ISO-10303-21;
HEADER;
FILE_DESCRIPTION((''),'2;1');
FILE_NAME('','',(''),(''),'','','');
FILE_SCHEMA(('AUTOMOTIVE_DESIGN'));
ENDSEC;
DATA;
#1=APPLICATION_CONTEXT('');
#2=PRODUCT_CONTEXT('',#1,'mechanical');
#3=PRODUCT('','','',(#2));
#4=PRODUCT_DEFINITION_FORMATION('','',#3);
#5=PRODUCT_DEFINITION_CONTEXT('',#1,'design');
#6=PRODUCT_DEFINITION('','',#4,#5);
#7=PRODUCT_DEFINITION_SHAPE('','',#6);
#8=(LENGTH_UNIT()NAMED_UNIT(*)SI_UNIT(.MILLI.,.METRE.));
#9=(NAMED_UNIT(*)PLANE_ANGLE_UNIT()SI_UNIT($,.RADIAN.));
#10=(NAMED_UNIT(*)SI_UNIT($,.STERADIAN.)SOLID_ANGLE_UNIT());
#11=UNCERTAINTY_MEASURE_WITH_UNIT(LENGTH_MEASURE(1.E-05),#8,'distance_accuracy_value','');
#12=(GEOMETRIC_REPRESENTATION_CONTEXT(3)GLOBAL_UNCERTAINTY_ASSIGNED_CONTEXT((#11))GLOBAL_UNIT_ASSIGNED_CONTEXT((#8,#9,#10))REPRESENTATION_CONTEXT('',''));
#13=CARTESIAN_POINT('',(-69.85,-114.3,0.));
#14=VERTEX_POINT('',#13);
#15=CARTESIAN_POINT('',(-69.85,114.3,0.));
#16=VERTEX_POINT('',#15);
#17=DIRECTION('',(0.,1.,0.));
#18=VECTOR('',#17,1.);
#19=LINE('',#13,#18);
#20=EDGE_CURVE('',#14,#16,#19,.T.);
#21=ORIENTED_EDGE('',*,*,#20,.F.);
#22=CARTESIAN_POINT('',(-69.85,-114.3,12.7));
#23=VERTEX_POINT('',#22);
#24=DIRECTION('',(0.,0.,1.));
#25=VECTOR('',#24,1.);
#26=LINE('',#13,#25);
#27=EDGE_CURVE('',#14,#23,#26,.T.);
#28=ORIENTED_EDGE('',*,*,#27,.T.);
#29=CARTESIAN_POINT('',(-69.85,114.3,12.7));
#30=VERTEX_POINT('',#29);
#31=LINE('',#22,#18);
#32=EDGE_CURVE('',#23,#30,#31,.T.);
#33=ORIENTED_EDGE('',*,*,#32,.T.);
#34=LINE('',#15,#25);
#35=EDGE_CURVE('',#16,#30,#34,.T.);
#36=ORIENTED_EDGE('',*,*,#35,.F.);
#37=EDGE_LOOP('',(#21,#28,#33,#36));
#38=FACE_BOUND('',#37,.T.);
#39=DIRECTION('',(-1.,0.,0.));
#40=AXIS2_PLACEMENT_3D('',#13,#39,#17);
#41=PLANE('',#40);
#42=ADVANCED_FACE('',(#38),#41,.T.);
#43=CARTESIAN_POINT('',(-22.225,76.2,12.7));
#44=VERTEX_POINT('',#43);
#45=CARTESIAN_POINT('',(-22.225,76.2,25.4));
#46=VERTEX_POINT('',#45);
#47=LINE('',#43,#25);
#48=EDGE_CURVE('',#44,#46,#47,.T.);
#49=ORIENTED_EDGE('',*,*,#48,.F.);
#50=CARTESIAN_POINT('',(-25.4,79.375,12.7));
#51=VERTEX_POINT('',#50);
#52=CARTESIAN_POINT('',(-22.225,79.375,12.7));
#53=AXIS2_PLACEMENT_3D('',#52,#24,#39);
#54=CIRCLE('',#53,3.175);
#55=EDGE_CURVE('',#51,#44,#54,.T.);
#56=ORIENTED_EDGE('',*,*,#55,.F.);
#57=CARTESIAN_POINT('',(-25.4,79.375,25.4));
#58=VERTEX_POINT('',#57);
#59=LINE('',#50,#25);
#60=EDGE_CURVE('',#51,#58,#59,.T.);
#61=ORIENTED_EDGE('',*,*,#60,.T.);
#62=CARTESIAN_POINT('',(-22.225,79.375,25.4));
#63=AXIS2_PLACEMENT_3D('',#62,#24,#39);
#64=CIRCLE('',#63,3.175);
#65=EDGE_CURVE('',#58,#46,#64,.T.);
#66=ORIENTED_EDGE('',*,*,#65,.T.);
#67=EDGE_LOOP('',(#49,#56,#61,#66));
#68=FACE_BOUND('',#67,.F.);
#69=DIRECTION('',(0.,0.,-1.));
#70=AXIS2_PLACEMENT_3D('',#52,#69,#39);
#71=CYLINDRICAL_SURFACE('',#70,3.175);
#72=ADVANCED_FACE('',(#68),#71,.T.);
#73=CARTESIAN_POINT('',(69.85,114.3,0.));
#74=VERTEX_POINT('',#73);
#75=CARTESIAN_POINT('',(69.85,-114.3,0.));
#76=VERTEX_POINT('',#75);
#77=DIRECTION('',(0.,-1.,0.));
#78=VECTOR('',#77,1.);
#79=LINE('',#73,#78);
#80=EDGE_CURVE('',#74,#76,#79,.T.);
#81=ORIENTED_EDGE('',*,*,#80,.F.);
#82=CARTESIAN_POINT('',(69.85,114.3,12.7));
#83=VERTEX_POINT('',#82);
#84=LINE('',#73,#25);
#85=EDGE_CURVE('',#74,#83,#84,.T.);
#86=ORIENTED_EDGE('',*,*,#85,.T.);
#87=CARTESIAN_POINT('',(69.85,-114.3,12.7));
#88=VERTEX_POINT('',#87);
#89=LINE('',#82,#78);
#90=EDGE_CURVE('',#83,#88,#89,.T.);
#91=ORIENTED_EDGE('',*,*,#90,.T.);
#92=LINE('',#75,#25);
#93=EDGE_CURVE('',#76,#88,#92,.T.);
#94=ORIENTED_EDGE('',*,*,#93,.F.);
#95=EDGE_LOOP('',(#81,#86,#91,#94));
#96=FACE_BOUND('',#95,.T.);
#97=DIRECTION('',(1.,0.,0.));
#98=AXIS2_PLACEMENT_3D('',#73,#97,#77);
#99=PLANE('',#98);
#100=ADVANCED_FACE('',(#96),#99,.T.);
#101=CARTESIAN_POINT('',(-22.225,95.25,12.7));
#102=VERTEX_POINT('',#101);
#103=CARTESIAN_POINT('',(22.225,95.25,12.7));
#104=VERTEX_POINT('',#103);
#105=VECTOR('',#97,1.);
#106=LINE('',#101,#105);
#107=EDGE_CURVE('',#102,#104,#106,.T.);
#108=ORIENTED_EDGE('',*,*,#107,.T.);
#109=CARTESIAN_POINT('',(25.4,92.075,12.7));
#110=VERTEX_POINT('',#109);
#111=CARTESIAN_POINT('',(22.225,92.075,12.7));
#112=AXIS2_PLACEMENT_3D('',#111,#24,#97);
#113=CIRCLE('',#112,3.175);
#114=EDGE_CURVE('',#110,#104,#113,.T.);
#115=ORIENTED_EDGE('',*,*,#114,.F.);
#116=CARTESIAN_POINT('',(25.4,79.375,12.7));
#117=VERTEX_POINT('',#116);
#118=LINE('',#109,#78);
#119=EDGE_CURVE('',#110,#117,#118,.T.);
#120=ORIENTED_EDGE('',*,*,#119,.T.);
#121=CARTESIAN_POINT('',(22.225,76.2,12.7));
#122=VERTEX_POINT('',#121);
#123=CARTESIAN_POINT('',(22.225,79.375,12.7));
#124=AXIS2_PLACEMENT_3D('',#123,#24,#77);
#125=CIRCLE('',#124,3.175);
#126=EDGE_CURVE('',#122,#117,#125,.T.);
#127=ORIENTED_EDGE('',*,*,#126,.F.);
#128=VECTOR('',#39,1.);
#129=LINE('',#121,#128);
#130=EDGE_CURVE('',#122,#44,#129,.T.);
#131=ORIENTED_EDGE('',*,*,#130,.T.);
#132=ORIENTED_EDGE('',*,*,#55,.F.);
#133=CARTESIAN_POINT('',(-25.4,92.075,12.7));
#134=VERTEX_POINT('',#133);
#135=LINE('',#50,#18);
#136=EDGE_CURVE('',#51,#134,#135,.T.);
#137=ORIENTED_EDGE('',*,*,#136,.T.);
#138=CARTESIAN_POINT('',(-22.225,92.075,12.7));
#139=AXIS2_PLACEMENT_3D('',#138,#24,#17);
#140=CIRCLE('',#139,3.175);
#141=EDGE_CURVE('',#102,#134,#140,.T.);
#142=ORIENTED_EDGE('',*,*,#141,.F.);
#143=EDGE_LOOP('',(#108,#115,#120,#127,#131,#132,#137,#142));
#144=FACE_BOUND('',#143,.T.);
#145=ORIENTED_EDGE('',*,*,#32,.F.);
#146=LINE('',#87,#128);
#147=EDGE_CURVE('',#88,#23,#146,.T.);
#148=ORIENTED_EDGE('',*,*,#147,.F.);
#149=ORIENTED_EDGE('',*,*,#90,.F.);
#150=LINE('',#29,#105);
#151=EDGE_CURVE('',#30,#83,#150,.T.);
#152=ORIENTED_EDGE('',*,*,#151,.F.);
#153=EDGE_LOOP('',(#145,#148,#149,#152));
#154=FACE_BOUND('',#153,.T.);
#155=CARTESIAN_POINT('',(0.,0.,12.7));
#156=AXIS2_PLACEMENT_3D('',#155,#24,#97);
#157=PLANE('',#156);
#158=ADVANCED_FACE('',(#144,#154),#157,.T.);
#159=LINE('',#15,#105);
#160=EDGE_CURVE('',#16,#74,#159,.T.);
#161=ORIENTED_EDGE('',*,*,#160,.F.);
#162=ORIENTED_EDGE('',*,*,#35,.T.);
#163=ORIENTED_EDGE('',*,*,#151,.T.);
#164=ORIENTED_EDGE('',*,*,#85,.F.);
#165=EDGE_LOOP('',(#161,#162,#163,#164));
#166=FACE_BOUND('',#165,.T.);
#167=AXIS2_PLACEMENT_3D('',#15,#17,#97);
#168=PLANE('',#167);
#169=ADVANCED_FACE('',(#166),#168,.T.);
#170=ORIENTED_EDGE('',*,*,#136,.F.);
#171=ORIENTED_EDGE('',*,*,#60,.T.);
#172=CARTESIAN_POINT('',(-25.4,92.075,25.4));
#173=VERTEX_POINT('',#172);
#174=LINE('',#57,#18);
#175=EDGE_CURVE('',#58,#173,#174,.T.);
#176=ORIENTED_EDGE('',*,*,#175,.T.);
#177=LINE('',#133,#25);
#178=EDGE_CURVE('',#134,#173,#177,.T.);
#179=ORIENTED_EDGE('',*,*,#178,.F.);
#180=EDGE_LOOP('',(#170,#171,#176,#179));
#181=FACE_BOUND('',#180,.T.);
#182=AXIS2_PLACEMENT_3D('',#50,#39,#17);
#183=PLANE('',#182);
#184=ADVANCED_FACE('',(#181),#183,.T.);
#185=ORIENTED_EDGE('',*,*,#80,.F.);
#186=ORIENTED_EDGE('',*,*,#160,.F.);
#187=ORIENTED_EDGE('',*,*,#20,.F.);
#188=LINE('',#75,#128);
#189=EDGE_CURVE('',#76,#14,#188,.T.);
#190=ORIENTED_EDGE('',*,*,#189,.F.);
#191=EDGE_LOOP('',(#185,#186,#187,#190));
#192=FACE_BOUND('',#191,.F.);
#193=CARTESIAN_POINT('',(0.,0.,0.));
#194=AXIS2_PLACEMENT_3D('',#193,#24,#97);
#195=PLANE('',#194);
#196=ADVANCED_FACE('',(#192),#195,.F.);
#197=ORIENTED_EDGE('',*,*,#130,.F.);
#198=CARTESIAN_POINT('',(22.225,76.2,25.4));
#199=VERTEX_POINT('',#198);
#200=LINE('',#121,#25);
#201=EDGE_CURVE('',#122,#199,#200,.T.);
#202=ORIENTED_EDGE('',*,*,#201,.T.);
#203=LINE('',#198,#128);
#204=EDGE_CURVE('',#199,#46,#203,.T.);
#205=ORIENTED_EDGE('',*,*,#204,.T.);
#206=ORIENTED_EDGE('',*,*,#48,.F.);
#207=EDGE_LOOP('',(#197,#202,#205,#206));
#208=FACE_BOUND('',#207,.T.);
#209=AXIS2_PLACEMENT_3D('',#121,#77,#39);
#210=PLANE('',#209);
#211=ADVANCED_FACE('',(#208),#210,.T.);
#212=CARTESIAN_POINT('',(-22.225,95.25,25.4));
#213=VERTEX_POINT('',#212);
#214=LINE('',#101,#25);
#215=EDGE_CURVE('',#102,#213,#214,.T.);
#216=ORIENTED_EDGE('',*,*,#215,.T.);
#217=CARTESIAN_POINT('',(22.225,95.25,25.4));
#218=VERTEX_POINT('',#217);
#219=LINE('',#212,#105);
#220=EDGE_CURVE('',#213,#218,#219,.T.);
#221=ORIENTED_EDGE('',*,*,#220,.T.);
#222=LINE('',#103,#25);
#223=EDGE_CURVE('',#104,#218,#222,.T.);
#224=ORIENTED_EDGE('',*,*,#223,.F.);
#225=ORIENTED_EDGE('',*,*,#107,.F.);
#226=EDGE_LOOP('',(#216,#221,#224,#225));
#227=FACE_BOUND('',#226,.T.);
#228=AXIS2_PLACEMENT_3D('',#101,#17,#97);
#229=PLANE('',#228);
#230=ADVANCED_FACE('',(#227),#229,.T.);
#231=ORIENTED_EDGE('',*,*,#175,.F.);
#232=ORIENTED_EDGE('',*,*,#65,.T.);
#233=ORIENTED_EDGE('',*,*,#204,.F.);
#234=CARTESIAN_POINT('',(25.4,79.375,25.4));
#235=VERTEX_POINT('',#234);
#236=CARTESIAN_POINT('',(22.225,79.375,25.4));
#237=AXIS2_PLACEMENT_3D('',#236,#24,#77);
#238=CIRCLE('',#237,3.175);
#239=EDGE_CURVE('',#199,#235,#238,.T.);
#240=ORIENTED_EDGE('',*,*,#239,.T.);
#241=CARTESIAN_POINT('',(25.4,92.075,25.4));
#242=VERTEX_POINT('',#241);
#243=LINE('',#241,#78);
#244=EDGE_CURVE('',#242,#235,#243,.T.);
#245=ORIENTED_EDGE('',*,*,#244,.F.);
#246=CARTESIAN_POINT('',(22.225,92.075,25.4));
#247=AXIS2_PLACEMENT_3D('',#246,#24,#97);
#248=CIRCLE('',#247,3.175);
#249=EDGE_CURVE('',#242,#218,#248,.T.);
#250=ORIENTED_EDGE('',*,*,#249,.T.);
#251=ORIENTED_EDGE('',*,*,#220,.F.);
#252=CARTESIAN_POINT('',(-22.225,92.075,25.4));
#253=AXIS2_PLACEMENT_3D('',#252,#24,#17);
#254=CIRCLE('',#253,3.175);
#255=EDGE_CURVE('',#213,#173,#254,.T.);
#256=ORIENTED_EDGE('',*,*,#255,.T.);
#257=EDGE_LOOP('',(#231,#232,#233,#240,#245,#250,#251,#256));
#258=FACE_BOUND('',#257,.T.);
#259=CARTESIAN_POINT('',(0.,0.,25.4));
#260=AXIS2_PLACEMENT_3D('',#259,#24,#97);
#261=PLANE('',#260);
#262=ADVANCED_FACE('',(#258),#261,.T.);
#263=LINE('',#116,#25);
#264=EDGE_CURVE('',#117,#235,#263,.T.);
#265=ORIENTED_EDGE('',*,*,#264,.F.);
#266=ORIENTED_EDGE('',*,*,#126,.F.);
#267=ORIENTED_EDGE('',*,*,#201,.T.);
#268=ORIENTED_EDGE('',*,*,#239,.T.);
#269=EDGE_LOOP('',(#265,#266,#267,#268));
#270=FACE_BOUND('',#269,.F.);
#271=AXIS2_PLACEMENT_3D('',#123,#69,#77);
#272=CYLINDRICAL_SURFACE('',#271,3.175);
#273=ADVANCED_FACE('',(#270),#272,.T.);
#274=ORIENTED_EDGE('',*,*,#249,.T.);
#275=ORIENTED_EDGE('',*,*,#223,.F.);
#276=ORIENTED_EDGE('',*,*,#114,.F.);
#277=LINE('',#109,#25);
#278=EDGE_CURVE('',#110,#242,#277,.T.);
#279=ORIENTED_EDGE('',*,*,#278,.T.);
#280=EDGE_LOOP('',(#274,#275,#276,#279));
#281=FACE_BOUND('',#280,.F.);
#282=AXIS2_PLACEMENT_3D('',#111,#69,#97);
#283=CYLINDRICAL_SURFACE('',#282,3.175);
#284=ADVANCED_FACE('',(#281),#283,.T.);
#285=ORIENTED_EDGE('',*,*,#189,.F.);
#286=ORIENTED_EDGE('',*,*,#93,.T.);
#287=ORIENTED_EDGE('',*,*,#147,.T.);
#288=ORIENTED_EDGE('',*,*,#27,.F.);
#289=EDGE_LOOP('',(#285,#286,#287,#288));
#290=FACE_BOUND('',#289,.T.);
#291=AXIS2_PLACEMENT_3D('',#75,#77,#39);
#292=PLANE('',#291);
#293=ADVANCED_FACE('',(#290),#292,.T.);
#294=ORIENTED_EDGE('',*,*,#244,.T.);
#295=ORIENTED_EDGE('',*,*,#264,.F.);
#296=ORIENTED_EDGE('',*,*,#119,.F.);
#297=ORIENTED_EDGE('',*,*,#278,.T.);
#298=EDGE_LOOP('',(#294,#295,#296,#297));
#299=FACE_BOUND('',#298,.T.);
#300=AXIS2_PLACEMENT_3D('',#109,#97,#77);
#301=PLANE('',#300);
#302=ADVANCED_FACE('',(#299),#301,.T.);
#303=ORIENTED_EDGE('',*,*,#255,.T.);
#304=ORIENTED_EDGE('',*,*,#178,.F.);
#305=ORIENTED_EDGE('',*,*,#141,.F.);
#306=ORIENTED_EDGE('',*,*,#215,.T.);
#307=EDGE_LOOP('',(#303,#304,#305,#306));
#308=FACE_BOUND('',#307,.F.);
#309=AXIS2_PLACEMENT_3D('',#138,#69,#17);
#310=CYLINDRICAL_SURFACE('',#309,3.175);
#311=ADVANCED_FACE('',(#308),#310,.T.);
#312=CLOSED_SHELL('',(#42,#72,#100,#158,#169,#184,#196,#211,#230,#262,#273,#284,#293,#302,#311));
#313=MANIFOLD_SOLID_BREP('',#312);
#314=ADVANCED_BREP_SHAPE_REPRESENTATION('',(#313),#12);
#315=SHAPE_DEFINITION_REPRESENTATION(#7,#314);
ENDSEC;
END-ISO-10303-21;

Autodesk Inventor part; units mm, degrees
ref_plane "YZ Plane" through (0, 0, 0) normal (1, 0, 0) x (0, 1, 0)
ref_plane "XZ Plane" through (0, 0, 0) normal (0, 1, 0) x (-1, 0, 0)
ref_plane "XY Plane" through (0, 0, 0) normal (0, 0, 1) x (1, 0, 0)
sketch "Sketch1" plane through (0, 0, 0) normal (0, 0, 1) x (1, 0, 0)
  line L0 (-69.85, 114.3) -> (69.85, 114.3)
  line L1 (69.85, 114.3) -> (69.85, -114.3)
  line L2 (69.85, -114.3) -> (-69.85, -114.3)
  line L3 (-69.85, -114.3) -> (-69.85, 114.3)
  point P0 (0, 0)
  dimension "d0" = 139.7
  dimension "d1" = 228.6
  dimension "d2" = 114.3
  dimension "d3" = 69.85
extrude "Extrusion1" add sketch "Sketch1" along normal blind 12.7
sketch "Sketch2" plane through (0, 0, 12.7) normal (0, 0, 1) x (1, 0, 0)
  line L0 (-22.225, 95.25) -> (22.225, 95.25)
  line L1 (25.4, 92.075) -> (25.4, 79.375)
  line L2 (22.225, 76.2) -> (-22.225, 76.2)
  line L3 (-25.4, 79.375) -> (-25.4, 92.075)
  arc A0 (-22.225, 95.25) -> (-25.4, 92.075) centre (-22.225, 92.075) ccw
  arc A1 (-25.4, 79.375) -> (-22.225, 76.2) centre (-22.225, 79.375) ccw
  arc A2 (22.225, 76.2) -> (25.4, 79.375) centre (22.225, 79.375) ccw
  arc A3 (25.4, 92.075) -> (22.225, 95.25) centre (22.225, 92.075) ccw
  point P0 (0, 0)
  point P1 (25.4, 76.2)
  point P2 (25.4, 95.25)
  point P3 (-25.4, 76.2)
  dimension "d6" = 50.8
  dimension "d7" = 19.05
  dimension "d8" = 95.25
  dimension "d9" = 25.4
  dimension "d10" = 3.175
extrude "Extrusion2" add sketch "Sketch2" along normal blind 12.7
properties part number "door"
